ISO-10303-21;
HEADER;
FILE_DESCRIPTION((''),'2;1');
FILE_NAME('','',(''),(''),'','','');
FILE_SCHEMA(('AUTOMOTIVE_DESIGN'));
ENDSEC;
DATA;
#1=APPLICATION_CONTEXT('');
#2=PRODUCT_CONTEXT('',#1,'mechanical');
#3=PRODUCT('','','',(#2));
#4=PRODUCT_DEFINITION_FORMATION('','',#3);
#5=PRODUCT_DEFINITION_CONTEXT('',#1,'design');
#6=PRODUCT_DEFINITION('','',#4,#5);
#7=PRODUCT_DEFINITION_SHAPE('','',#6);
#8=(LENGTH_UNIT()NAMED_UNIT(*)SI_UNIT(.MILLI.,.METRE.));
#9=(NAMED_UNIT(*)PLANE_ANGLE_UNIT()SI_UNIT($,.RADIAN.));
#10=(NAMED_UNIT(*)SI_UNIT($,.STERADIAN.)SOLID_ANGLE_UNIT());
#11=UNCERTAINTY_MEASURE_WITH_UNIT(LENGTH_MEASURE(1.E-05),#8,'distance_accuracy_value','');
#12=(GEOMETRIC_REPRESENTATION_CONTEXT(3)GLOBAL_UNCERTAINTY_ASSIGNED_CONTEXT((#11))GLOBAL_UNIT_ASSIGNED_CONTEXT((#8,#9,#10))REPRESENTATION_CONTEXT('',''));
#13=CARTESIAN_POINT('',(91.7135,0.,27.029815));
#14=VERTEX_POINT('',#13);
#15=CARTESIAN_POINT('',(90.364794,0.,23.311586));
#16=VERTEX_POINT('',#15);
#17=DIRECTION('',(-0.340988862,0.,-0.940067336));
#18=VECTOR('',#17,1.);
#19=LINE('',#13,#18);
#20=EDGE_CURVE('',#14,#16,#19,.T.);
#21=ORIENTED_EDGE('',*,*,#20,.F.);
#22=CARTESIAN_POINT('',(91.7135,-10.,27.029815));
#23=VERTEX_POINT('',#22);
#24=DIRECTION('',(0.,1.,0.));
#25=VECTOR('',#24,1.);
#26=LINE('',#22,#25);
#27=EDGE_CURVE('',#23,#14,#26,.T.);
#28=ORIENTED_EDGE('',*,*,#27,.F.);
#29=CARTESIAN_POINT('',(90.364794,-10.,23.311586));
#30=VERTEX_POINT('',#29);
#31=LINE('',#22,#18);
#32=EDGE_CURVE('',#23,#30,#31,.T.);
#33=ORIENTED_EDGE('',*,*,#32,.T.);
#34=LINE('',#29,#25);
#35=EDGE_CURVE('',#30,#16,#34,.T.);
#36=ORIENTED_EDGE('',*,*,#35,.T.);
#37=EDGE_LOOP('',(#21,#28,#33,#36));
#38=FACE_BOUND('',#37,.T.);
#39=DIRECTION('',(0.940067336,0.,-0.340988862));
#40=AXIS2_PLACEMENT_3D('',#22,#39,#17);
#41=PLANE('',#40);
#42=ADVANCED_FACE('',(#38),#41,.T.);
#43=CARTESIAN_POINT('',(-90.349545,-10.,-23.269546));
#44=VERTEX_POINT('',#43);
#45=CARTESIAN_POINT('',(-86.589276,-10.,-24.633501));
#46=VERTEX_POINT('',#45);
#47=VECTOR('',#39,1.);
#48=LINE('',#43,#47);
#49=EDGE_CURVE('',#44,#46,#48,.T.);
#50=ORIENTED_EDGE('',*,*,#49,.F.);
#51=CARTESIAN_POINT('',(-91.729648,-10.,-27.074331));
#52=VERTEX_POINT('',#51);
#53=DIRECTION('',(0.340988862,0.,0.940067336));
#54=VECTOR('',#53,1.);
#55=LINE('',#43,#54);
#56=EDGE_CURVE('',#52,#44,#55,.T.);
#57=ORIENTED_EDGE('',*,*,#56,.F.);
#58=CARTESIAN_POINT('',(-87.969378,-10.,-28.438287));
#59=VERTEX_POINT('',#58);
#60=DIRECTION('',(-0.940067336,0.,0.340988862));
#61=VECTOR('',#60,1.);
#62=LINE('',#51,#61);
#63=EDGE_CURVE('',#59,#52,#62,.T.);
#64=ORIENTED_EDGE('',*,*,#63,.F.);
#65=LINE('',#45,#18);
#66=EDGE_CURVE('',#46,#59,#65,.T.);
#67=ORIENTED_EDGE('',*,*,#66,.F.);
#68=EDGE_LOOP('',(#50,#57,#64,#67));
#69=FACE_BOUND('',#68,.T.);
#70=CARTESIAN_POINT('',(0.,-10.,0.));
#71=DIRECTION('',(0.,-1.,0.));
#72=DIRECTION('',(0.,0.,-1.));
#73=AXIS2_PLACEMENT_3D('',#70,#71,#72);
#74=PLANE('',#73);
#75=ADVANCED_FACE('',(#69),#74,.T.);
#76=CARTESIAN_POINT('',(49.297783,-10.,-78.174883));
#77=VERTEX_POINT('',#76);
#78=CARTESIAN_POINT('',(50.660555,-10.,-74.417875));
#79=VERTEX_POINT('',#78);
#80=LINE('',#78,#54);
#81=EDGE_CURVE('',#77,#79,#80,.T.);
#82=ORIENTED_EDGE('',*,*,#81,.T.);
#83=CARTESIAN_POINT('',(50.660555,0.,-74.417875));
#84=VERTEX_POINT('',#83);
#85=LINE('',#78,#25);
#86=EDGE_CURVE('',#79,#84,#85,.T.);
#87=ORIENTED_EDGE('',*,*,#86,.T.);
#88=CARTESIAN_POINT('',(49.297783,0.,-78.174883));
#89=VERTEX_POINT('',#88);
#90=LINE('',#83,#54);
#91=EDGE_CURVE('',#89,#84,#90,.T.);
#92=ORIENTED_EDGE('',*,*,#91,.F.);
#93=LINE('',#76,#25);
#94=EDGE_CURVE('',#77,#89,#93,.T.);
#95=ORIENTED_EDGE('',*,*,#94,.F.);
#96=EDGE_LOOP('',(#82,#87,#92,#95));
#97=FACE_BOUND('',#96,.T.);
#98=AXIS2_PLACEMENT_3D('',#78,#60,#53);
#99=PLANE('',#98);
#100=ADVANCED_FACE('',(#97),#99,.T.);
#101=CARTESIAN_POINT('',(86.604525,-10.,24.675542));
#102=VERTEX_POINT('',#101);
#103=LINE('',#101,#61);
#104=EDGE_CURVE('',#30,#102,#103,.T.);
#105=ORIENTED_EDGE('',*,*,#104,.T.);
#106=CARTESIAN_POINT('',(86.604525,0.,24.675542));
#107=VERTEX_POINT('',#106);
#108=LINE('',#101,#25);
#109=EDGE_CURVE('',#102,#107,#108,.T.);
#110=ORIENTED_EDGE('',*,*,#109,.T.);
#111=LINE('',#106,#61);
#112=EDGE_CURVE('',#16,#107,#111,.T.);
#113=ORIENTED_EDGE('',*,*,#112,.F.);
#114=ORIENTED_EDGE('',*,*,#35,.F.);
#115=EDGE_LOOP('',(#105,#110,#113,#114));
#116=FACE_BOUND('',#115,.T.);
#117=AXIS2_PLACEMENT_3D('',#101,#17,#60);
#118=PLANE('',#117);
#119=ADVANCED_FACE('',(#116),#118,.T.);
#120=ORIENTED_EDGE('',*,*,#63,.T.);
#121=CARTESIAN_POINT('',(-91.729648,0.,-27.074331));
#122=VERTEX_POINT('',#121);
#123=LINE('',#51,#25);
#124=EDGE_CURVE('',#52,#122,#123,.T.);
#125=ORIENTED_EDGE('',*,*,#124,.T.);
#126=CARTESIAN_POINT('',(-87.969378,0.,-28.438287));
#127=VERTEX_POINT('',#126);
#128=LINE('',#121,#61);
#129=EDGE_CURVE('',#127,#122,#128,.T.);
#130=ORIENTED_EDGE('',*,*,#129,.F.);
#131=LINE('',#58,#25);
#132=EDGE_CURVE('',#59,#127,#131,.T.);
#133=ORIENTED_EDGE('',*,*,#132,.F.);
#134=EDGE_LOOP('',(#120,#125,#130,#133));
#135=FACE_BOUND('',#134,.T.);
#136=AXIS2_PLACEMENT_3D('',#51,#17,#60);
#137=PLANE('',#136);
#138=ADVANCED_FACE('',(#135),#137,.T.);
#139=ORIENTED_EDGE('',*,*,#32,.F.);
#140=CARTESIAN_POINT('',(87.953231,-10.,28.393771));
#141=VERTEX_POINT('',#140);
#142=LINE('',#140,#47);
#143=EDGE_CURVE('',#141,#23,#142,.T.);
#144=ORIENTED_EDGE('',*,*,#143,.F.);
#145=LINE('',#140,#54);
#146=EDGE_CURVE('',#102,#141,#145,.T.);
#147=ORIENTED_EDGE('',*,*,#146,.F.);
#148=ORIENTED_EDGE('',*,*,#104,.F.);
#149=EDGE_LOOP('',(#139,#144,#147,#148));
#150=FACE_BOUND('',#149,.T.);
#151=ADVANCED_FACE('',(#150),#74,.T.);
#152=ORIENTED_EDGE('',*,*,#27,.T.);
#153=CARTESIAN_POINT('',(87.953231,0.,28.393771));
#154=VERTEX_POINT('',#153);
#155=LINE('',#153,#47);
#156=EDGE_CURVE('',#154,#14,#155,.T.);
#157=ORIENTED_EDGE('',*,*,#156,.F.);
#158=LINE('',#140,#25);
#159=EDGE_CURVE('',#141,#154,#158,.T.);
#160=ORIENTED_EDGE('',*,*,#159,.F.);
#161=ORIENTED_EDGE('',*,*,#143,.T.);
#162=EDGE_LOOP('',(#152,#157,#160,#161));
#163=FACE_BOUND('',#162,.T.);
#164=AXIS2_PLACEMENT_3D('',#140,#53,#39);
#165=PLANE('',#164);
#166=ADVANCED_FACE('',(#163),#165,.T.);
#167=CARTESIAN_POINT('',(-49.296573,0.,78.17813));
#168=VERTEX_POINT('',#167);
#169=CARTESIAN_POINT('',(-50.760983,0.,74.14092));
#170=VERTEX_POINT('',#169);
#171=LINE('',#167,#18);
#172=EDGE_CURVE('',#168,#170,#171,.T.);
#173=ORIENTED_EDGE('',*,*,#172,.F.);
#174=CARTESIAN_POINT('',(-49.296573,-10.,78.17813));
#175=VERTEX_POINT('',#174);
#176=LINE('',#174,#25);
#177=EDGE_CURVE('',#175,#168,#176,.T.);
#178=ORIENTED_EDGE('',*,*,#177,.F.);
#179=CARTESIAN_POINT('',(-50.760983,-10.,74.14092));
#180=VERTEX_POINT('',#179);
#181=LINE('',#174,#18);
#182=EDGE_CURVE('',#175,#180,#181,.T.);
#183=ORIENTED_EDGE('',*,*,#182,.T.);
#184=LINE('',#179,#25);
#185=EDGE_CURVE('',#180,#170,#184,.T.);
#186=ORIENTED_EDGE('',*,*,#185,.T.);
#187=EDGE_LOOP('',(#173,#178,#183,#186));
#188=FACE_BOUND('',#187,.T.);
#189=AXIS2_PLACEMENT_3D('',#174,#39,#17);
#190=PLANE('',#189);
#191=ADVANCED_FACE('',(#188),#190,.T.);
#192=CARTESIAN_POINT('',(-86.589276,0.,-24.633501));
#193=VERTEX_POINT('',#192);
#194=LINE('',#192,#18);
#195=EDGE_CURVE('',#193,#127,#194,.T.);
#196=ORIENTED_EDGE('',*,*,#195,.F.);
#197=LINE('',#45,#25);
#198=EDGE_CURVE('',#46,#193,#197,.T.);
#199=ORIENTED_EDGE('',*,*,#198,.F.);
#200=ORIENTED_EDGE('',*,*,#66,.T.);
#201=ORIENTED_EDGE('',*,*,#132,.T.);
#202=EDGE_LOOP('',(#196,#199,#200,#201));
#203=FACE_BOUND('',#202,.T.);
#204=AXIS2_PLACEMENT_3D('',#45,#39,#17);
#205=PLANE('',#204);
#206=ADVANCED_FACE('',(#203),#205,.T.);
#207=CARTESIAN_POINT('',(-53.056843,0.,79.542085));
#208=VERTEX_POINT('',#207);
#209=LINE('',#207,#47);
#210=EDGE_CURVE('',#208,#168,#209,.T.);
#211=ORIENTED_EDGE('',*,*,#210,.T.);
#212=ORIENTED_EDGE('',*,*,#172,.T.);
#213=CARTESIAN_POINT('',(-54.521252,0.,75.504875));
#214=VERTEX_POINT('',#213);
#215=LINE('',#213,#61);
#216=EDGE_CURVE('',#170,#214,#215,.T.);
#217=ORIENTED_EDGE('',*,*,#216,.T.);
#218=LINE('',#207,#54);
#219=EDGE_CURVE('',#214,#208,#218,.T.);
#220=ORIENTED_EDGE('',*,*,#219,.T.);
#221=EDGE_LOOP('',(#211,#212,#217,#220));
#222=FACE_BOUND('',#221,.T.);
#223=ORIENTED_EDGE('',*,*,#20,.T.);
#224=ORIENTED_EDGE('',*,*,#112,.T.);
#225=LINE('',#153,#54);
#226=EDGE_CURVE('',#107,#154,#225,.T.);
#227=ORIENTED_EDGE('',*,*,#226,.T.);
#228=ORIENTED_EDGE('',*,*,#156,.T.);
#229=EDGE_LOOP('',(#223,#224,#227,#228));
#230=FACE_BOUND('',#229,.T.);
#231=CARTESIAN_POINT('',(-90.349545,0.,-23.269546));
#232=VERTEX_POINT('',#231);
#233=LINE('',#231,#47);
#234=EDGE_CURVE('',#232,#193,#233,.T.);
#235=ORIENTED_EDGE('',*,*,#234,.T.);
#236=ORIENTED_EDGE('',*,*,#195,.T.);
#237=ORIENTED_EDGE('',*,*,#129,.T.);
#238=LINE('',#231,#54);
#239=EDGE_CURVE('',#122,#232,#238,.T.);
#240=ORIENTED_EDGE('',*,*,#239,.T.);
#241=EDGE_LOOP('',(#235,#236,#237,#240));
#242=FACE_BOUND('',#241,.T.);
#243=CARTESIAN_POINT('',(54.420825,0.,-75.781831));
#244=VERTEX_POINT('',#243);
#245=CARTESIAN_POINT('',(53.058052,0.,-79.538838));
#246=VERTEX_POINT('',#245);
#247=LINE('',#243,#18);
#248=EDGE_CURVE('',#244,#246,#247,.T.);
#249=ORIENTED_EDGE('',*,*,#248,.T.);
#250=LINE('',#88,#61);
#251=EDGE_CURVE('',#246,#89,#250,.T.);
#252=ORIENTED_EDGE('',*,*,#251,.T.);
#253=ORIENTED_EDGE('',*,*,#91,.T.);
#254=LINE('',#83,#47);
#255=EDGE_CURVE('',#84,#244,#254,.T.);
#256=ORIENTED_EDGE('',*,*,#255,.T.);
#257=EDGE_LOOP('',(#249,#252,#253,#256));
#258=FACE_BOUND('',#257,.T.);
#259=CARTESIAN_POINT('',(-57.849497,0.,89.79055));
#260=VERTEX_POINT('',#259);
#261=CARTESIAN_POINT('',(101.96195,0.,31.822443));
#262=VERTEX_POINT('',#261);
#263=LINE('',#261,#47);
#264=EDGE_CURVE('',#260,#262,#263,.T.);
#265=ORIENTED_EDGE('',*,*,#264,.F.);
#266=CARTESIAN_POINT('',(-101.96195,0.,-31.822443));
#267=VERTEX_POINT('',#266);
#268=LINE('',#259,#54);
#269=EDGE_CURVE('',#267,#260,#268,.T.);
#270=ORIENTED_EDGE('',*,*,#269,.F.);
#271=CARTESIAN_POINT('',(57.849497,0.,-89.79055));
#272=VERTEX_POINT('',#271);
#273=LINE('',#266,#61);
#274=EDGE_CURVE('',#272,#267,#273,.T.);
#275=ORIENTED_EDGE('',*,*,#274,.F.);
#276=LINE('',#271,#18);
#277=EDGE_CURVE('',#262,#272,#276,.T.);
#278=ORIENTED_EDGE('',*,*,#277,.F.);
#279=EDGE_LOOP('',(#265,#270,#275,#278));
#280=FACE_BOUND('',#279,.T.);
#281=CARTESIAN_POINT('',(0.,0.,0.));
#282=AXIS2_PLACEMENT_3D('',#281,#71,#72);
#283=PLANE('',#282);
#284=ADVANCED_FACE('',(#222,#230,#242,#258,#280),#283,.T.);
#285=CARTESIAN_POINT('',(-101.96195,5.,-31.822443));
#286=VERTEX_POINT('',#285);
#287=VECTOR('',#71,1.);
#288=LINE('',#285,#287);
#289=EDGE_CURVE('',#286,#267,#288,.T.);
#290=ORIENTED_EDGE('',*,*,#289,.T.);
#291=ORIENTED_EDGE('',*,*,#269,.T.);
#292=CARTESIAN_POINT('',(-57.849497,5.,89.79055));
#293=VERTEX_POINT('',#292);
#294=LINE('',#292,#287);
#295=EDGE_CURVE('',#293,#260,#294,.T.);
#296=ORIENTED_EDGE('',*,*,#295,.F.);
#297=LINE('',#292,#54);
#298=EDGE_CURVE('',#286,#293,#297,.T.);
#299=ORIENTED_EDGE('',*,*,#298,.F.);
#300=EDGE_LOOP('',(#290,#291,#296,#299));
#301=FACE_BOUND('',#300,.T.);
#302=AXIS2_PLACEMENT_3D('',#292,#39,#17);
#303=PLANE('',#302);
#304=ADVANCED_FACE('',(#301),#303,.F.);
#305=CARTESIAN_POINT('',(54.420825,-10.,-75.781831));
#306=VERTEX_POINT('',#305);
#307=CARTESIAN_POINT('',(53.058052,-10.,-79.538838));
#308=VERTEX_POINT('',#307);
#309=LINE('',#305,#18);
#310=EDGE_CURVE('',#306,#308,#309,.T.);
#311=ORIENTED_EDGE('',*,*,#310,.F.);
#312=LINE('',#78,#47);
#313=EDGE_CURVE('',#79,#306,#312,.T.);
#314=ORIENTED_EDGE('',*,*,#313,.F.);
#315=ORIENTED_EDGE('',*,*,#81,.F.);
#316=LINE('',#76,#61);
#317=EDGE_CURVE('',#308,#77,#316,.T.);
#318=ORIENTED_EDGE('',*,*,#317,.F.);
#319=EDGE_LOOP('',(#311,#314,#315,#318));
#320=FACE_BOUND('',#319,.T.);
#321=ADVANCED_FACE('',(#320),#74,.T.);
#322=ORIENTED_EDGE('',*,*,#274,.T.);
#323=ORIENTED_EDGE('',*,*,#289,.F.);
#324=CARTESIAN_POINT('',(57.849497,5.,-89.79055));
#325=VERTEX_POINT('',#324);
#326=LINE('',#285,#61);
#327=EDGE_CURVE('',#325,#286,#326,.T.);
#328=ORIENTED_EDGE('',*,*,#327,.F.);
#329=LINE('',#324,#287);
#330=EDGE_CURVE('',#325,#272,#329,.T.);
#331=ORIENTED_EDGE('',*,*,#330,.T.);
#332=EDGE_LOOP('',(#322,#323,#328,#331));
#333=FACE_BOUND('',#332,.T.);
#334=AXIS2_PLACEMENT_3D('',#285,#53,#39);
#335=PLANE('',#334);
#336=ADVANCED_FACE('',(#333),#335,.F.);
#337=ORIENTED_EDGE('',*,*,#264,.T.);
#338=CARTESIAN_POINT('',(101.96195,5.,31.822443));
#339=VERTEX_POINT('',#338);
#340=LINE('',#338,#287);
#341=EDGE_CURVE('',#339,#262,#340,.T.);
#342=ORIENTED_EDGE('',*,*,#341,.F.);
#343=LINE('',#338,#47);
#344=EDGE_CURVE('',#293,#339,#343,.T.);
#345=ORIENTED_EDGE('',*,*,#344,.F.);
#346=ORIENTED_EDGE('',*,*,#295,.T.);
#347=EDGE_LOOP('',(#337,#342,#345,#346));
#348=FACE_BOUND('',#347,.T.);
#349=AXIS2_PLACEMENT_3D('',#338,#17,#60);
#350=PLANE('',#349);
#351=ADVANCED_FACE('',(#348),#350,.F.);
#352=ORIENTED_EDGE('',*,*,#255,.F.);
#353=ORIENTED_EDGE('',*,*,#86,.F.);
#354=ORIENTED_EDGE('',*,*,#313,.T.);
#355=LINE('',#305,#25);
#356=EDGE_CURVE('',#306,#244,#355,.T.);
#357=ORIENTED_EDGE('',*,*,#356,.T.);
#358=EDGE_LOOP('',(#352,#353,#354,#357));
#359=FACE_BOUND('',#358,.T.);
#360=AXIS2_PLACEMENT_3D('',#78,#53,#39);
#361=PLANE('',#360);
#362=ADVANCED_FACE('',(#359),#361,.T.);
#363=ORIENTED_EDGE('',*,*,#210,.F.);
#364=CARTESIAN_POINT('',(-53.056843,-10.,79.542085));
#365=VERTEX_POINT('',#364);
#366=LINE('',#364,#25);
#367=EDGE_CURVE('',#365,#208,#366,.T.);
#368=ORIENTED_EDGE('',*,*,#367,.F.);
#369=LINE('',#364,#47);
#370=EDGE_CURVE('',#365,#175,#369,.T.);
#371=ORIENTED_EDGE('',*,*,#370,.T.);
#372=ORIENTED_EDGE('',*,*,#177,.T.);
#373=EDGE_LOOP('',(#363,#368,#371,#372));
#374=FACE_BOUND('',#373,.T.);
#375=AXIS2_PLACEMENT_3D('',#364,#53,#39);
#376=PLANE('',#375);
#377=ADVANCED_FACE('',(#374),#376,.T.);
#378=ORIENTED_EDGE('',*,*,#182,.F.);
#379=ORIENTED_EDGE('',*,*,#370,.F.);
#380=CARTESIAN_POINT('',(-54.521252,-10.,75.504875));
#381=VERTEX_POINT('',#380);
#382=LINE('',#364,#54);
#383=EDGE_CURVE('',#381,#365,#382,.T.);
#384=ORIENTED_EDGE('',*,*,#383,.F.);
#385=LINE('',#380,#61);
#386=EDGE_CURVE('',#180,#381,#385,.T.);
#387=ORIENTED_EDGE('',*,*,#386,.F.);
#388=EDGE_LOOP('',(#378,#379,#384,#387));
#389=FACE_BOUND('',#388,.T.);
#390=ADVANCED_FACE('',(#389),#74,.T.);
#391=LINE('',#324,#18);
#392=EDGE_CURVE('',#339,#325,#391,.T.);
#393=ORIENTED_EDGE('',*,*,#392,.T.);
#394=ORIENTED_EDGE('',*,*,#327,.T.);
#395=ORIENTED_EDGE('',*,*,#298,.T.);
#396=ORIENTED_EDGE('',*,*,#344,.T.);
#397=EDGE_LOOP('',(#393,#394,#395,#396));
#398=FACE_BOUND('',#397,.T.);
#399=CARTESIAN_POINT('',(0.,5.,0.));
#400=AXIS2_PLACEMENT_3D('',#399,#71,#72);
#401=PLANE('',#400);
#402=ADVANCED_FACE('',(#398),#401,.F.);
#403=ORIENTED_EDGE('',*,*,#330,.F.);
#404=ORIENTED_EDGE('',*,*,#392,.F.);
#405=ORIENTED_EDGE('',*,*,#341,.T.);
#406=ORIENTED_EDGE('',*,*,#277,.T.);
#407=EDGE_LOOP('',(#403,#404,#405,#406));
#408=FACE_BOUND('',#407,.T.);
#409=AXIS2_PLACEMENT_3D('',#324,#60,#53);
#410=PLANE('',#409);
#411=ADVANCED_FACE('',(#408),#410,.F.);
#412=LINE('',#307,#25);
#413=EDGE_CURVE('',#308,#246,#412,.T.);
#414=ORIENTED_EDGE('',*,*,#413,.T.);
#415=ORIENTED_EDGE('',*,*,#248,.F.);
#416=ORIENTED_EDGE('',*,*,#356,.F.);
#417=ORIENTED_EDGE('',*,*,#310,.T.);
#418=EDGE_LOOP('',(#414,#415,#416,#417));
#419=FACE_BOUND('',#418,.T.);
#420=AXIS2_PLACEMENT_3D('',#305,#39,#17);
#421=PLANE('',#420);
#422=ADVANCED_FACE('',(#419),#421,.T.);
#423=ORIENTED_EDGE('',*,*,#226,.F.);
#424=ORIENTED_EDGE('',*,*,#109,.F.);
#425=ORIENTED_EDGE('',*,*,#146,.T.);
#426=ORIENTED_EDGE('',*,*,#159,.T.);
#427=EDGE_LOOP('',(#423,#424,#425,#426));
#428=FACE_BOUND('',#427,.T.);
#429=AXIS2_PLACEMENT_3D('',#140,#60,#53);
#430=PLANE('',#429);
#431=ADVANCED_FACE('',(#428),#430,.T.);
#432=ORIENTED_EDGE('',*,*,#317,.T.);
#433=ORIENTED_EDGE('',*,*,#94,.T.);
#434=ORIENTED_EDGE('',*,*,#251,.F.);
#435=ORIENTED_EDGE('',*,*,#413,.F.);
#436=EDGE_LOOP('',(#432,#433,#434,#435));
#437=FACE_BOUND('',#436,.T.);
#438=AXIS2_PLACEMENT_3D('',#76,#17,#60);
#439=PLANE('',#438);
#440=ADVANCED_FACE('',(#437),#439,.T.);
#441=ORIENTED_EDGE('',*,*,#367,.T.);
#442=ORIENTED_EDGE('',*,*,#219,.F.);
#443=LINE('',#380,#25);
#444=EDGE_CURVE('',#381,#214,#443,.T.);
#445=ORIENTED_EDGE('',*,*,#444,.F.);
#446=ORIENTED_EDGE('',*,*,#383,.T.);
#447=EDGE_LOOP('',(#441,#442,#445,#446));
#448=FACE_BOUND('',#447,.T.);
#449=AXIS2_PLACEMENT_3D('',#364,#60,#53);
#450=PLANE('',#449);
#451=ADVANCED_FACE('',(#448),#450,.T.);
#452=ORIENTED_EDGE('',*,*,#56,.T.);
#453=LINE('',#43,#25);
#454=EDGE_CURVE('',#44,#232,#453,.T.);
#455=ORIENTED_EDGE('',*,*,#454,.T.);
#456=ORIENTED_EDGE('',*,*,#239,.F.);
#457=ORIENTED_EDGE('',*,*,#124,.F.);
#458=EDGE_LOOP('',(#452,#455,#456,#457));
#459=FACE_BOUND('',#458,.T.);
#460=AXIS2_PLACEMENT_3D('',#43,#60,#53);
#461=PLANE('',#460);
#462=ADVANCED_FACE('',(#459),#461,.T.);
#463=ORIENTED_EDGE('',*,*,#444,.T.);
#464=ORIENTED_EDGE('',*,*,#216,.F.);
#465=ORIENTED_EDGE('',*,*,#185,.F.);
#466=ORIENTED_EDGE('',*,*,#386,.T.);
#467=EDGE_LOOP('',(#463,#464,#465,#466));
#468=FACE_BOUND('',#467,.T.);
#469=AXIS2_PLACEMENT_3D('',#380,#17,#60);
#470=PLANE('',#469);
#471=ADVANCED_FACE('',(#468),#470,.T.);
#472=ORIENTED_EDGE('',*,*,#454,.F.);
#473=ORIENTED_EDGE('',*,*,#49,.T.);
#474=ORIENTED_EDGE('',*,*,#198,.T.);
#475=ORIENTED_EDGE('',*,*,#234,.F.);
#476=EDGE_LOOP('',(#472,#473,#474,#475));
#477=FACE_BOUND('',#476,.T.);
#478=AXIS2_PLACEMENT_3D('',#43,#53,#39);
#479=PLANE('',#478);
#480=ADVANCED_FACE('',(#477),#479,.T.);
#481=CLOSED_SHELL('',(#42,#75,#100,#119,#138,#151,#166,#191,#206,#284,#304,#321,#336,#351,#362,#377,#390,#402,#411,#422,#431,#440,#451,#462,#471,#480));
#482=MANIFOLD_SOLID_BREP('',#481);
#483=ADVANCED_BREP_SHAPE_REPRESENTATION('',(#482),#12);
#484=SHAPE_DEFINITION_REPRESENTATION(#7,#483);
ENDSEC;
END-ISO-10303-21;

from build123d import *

# Parameters (mm, degrees)
EXTRUDE_1_DEPTH = 5
EXTRUDE_2_DEPTH = 10


with BuildPart() as part:
    # 草图2 → 凸台-拉伸1 (new body)
    with BuildSketch(Plane(origin=(0, 0, 0), x_dir=(1, 0, 0), z_dir=(0, 1, 0))):
        Polygon((-101.961949946, 31.82244298), (57.849497127, 89.790549593), (101.961949946, -31.82244298), (-57.849497127, -89.790549593), align=None)
    extrude(amount=EXTRUDE_1_DEPTH)

    # 草图3 → 凸台-拉伸2 (add)
    with BuildSketch(Plane(origin=(0, 0, 0), x_dir=(1, 0, 0), z_dir=(0, 1, 0))):
        Polygon((-53.056842775, -79.542085251), (-49.296573432, -78.178129801), (-50.760983059, -74.140919768), (-54.521252402, -75.504875218), align=None)
        Polygon((87.953231018, -28.393770643), (91.713500361, -27.029815193), (90.364794207, -23.311586416), (86.604524864, -24.675541865), align=None)
        Polygon((50.660555447, 74.417875215), (54.42082479, 75.781830665), (53.058052487, 79.538838208), (49.297783144, 78.174882759), align=None)
        Polygon((-90.349544911, 23.26954585), (-86.589275569, 24.6335013), (-87.969378224, 28.438286645), (-91.729647567, 27.074331195), align=None)
    extrude(amount=-EXTRUDE_2_DEPTH)


solid = part.part
